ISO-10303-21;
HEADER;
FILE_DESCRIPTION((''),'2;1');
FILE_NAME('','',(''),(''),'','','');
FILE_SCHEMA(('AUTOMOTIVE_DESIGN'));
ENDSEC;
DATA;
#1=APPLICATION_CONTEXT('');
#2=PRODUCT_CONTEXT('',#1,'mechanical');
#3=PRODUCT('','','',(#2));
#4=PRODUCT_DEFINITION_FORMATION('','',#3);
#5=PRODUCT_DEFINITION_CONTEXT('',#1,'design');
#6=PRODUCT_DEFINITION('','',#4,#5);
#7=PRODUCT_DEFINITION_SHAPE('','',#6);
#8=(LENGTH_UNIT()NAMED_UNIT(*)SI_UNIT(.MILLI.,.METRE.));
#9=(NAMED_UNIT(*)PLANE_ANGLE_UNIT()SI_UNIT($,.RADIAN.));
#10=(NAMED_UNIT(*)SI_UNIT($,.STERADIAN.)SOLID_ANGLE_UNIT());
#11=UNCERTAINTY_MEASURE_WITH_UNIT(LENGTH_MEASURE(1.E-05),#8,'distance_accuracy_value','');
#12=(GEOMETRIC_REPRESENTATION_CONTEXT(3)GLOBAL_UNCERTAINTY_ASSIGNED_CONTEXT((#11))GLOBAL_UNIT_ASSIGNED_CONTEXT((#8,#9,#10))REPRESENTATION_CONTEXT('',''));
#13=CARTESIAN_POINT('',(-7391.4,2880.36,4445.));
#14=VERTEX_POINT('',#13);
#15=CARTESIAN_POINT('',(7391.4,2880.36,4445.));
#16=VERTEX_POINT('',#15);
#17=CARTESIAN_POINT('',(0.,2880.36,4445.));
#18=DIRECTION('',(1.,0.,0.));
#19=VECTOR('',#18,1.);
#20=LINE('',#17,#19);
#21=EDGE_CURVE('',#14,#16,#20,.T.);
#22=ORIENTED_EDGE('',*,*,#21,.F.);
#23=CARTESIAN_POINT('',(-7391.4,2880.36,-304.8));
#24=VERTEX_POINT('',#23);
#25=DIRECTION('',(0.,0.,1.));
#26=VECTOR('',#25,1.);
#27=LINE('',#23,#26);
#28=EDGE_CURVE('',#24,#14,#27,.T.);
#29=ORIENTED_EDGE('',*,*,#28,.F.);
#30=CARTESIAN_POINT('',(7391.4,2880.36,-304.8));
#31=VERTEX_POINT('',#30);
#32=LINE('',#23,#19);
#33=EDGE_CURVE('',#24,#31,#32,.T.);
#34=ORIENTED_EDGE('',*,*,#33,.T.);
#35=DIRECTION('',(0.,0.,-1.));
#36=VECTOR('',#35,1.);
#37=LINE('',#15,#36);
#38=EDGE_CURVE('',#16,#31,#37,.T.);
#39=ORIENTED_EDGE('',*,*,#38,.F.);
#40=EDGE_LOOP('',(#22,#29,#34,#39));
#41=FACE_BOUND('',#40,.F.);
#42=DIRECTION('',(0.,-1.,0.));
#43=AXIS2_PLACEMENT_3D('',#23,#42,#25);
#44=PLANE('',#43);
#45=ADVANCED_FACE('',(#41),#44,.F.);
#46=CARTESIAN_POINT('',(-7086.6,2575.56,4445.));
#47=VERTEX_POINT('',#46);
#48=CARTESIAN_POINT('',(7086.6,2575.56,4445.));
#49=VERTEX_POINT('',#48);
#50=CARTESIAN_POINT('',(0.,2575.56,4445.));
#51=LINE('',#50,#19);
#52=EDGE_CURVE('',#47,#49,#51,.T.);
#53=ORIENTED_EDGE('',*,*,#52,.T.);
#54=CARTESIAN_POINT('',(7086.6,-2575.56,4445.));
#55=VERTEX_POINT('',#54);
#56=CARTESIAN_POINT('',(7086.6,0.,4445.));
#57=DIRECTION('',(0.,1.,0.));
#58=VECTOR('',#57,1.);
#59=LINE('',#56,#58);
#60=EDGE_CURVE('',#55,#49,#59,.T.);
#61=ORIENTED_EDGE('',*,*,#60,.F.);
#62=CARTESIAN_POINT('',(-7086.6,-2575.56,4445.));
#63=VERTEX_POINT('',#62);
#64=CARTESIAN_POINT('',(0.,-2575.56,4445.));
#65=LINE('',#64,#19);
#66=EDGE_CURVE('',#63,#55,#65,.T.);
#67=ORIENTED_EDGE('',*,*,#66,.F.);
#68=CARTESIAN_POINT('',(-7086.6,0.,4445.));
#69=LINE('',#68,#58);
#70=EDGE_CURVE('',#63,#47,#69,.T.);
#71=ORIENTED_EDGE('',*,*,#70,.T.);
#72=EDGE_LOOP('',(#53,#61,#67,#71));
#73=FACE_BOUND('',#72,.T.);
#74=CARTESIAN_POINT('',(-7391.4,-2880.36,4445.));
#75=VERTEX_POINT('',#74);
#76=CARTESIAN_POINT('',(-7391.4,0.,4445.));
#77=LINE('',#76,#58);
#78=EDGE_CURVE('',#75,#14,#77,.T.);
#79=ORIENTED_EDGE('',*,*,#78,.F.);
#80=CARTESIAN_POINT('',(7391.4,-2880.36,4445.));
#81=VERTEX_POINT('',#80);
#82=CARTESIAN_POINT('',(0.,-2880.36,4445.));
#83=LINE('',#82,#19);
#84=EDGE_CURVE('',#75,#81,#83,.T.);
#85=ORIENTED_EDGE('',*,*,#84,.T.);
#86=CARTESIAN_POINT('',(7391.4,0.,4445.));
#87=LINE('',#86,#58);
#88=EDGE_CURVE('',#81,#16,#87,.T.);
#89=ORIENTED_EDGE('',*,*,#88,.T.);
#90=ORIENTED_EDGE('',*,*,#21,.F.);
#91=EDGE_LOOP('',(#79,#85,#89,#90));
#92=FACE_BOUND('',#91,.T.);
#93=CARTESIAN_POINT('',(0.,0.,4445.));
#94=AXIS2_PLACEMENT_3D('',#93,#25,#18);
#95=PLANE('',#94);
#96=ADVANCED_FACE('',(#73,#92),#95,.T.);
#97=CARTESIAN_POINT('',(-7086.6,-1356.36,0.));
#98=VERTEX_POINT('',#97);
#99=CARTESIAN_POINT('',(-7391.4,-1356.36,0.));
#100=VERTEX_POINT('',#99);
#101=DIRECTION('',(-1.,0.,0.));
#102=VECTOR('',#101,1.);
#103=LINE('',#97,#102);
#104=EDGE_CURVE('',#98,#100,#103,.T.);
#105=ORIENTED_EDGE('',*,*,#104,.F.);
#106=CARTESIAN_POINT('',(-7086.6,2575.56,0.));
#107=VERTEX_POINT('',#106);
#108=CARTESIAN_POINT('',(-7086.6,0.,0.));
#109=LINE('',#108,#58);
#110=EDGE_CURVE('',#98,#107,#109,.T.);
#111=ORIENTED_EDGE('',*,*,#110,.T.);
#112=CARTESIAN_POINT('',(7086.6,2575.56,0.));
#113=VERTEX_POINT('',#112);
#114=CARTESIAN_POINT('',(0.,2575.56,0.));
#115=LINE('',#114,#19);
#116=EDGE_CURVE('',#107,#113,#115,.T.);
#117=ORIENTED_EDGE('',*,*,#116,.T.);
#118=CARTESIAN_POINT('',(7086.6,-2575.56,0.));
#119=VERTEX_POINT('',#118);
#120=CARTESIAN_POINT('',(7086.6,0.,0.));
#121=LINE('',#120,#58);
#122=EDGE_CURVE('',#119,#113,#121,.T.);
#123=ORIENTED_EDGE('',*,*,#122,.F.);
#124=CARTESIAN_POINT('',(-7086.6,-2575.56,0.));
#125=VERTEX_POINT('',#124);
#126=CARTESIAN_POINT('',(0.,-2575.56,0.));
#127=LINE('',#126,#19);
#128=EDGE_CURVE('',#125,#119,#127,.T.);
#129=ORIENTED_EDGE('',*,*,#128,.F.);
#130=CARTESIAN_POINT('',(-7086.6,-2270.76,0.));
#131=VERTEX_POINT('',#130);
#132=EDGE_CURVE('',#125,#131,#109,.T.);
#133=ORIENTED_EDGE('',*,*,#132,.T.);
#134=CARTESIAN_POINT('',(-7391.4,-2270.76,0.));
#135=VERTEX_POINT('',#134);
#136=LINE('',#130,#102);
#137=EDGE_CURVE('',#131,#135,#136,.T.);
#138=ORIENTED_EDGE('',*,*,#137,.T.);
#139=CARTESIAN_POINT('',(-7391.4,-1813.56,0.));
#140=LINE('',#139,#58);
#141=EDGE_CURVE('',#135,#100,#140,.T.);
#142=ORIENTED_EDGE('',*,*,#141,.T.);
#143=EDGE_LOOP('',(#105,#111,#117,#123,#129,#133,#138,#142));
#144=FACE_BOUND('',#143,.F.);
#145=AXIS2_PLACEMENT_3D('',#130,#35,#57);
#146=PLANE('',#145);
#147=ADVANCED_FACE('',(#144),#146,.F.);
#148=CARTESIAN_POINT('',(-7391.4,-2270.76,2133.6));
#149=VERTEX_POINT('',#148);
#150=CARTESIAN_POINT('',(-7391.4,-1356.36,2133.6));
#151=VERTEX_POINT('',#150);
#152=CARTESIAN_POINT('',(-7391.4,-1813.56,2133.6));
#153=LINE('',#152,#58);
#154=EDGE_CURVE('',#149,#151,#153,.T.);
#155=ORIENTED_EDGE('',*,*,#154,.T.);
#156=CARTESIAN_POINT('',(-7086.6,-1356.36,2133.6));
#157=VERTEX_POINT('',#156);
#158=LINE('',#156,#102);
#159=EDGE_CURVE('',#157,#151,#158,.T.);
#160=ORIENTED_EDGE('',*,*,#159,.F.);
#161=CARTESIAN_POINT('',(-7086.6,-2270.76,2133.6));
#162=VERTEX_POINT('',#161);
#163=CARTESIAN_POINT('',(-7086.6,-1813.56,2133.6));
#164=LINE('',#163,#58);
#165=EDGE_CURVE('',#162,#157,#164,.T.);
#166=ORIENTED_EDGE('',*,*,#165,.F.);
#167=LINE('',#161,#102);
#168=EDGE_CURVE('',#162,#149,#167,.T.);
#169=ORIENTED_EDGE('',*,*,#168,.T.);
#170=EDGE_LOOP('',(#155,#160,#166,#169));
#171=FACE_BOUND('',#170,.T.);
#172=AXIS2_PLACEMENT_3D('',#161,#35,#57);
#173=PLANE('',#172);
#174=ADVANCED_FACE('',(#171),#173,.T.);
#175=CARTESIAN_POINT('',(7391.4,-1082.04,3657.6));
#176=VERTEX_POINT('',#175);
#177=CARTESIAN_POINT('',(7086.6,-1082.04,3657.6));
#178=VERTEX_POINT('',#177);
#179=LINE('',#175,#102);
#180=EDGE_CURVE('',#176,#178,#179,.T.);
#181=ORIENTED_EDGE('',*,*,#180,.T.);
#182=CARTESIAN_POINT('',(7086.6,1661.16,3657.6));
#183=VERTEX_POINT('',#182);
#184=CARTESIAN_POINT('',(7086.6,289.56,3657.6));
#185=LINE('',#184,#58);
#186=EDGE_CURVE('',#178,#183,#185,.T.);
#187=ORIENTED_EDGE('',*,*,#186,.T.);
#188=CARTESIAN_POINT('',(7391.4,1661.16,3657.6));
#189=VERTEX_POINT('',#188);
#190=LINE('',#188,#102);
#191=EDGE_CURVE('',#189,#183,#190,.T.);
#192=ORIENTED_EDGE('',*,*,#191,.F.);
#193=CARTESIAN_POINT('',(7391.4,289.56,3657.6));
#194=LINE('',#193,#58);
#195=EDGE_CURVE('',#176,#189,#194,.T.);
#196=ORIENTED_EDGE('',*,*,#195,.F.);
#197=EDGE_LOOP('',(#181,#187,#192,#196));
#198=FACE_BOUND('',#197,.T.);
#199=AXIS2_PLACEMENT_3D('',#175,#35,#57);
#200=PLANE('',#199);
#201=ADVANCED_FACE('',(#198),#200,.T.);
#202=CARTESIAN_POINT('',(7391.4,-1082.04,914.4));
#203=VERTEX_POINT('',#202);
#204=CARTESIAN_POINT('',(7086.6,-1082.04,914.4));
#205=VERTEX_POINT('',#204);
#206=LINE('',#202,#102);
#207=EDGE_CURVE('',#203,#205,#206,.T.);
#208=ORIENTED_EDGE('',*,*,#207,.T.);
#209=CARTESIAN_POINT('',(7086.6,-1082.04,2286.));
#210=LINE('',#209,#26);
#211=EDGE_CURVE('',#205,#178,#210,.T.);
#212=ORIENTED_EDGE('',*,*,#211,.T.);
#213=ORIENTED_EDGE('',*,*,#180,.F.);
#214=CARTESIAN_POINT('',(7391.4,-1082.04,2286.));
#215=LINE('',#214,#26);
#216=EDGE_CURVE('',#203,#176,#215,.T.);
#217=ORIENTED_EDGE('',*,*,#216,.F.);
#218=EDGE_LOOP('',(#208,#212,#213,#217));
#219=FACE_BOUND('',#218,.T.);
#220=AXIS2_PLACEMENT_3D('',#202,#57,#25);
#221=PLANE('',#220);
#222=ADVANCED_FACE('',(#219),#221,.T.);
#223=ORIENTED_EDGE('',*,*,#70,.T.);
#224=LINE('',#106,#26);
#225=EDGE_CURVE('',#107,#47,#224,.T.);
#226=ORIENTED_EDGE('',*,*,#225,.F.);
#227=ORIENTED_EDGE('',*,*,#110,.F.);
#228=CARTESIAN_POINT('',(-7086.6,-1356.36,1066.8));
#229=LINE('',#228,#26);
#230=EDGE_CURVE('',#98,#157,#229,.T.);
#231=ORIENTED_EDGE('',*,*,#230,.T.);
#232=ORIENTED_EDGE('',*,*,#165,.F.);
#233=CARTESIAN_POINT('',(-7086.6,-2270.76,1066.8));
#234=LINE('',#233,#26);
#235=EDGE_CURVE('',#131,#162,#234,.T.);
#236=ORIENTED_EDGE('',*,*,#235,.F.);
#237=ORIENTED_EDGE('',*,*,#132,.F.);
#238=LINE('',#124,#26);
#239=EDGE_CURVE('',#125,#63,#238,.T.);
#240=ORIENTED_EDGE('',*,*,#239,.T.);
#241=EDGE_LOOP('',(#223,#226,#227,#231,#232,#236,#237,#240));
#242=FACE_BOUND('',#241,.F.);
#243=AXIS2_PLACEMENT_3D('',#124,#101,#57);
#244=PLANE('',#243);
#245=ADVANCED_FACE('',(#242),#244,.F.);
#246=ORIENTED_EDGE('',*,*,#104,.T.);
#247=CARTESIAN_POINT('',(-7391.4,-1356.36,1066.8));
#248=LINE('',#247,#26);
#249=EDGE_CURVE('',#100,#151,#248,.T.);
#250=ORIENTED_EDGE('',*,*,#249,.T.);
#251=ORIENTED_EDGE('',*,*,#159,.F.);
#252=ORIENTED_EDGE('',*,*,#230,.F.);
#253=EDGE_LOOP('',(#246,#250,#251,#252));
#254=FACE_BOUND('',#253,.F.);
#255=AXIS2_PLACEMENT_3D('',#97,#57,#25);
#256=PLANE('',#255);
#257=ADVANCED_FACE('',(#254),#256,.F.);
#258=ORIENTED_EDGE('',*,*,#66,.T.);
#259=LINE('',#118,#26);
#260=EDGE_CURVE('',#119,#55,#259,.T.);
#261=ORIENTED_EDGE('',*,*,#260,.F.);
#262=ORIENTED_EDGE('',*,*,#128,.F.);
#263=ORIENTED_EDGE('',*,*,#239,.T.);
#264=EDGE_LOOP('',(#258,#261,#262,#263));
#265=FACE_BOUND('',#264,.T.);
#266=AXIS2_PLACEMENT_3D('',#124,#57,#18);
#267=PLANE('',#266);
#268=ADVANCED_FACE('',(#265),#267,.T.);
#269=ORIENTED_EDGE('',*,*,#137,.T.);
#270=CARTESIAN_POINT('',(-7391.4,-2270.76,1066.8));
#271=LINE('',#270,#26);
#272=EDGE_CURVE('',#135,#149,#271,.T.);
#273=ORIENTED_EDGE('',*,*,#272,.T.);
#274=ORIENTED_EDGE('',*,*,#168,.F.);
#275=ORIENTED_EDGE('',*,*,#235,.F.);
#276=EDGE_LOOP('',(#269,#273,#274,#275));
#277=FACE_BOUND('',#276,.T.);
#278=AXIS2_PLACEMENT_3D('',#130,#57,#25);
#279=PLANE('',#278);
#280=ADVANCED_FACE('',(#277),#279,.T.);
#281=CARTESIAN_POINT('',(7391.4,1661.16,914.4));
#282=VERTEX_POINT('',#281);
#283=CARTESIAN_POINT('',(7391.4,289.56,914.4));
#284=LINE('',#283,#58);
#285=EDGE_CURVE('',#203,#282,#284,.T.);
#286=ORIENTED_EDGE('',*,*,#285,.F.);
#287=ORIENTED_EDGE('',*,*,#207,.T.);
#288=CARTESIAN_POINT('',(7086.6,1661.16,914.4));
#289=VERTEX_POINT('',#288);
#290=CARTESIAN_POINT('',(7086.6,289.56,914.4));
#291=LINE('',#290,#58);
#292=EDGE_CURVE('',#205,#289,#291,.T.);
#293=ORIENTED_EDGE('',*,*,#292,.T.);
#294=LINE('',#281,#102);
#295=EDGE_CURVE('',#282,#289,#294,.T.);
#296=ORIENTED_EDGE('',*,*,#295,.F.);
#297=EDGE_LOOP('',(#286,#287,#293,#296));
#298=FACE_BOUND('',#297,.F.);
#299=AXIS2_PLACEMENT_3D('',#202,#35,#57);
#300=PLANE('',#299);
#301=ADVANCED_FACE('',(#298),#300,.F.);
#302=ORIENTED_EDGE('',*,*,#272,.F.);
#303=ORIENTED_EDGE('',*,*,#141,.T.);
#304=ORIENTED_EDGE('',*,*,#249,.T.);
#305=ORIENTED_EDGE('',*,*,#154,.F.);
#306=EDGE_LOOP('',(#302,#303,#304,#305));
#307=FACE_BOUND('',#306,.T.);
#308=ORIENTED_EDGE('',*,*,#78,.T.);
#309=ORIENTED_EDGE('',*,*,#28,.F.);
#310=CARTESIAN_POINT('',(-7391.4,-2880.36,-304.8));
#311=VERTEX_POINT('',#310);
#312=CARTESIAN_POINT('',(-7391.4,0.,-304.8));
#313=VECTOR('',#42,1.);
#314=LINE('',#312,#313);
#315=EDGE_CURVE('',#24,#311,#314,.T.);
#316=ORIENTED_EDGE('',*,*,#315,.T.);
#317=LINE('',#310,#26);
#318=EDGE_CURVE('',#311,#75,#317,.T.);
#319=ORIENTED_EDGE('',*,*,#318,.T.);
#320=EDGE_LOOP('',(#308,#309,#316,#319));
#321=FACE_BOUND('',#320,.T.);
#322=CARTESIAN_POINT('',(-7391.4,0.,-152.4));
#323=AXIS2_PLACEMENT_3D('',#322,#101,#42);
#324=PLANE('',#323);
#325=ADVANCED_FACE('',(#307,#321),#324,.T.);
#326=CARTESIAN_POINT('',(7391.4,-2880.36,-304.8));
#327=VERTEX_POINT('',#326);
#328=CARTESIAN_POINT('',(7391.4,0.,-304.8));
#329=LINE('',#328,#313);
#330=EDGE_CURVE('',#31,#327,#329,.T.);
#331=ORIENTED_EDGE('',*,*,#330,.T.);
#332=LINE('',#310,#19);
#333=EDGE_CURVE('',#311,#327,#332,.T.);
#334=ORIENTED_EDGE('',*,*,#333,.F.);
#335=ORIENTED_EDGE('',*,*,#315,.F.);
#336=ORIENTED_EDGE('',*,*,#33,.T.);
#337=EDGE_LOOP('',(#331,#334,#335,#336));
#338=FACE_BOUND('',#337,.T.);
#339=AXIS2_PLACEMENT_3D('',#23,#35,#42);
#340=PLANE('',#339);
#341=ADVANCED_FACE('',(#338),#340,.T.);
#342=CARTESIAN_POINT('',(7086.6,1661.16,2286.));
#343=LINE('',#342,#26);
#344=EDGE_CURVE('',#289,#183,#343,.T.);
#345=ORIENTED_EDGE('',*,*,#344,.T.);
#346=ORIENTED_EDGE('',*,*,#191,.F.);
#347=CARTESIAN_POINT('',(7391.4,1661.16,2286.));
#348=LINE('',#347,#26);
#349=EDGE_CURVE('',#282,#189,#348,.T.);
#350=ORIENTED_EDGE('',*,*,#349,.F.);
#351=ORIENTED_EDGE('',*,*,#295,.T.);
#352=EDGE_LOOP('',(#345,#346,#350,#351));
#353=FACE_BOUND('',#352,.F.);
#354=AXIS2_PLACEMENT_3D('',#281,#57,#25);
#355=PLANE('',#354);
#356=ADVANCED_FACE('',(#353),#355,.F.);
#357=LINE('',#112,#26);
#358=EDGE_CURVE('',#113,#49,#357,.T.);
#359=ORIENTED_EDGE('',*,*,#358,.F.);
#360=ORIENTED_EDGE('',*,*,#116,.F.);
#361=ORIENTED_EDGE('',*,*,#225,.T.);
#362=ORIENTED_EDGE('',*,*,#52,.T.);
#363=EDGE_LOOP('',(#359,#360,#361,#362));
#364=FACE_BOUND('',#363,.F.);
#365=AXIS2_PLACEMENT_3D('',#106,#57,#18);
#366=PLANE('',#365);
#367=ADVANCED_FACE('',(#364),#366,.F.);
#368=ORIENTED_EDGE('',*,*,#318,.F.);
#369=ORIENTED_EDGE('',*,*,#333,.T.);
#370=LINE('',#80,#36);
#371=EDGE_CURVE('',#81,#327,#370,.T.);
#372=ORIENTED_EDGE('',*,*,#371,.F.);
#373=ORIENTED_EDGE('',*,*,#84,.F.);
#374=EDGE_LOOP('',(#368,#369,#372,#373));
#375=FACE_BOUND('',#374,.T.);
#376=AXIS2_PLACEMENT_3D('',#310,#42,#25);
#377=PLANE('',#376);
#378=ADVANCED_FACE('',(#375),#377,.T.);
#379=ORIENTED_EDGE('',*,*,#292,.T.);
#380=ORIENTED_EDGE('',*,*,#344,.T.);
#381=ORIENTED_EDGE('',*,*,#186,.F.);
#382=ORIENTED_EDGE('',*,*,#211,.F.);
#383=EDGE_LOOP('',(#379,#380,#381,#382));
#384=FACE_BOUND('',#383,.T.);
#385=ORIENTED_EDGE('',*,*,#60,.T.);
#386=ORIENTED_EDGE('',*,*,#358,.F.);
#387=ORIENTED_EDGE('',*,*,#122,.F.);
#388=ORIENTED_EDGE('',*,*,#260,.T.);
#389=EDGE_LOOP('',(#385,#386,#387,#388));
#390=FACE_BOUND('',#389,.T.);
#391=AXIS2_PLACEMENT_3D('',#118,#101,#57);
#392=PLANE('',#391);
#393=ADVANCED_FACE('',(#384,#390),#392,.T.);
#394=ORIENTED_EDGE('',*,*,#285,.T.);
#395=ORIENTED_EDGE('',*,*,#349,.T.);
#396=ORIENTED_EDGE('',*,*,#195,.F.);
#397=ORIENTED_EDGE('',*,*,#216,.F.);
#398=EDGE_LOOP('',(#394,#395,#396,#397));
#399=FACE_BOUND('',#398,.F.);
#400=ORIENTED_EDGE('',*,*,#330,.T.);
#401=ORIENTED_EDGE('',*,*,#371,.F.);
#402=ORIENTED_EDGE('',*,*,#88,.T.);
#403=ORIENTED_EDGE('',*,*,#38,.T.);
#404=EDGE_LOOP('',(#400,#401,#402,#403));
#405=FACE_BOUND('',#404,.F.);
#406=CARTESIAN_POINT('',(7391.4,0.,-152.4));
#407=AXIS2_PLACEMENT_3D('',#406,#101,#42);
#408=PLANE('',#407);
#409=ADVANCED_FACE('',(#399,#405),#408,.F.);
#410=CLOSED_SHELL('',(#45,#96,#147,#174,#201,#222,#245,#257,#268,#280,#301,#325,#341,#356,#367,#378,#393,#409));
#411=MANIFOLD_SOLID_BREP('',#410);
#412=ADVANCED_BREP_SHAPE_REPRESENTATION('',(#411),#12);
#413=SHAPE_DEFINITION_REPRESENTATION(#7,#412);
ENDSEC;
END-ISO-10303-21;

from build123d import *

# Parameters (mm, degrees)
F0_W     = 14782.8
F0_H     = 5760.72
F0_W_2   = 14173.2
F0_H_2   = 5151.12
F1_DEPTH = 4445
F2_W     = 5760.72
F2_H     = 304.8
F3_DEPTH = 14782.8
F4_W     = 2743.2
F4_H     = 2743.2
F5_DEPTH = 304.8
F6_W     = 914.4
F6_H     = 2133.6
F7_DEPTH = 304.8


with BuildPart() as f1:
    # F0 (on Top) → F1 (new body)
    with BuildSketch(Plane.XY):
        Rectangle(F0_W, F0_H)
        Rectangle(F0_W_2, F0_H_2, mode=Mode.SUBTRACT)
    extrude(amount=F1_DEPTH)

    # F2 (on face) → F3 (join, through all)
    with BuildSketch(Plane(origin=(-7391.4, 0, 0), x_dir=(0, -1, 0), z_dir=(-1, 0, 0))):
        with Locations((0, -152.4)):
            Rectangle(F2_W, F2_H)
    extrude(amount=-F3_DEPTH)

    # F4 (on face) → F5 (cut, through all)
    with BuildSketch(Plane.YZ.offset(7391.4)):
        with Locations((289.56, 2286)):
            Rectangle(F4_W, F4_H)
    extrude(amount=-F5_DEPTH, mode=Mode.SUBTRACT)

    # F6 (on face) → F7 (cut, through all)
    with BuildSketch(Plane.YZ.offset(-7086.6)):
        with Locations((-1813.56, 1066.8)):
            Rectangle(F6_W, F6_H)
    extrude(amount=-F7_DEPTH, mode=Mode.SUBTRACT)


solid = f1.part
